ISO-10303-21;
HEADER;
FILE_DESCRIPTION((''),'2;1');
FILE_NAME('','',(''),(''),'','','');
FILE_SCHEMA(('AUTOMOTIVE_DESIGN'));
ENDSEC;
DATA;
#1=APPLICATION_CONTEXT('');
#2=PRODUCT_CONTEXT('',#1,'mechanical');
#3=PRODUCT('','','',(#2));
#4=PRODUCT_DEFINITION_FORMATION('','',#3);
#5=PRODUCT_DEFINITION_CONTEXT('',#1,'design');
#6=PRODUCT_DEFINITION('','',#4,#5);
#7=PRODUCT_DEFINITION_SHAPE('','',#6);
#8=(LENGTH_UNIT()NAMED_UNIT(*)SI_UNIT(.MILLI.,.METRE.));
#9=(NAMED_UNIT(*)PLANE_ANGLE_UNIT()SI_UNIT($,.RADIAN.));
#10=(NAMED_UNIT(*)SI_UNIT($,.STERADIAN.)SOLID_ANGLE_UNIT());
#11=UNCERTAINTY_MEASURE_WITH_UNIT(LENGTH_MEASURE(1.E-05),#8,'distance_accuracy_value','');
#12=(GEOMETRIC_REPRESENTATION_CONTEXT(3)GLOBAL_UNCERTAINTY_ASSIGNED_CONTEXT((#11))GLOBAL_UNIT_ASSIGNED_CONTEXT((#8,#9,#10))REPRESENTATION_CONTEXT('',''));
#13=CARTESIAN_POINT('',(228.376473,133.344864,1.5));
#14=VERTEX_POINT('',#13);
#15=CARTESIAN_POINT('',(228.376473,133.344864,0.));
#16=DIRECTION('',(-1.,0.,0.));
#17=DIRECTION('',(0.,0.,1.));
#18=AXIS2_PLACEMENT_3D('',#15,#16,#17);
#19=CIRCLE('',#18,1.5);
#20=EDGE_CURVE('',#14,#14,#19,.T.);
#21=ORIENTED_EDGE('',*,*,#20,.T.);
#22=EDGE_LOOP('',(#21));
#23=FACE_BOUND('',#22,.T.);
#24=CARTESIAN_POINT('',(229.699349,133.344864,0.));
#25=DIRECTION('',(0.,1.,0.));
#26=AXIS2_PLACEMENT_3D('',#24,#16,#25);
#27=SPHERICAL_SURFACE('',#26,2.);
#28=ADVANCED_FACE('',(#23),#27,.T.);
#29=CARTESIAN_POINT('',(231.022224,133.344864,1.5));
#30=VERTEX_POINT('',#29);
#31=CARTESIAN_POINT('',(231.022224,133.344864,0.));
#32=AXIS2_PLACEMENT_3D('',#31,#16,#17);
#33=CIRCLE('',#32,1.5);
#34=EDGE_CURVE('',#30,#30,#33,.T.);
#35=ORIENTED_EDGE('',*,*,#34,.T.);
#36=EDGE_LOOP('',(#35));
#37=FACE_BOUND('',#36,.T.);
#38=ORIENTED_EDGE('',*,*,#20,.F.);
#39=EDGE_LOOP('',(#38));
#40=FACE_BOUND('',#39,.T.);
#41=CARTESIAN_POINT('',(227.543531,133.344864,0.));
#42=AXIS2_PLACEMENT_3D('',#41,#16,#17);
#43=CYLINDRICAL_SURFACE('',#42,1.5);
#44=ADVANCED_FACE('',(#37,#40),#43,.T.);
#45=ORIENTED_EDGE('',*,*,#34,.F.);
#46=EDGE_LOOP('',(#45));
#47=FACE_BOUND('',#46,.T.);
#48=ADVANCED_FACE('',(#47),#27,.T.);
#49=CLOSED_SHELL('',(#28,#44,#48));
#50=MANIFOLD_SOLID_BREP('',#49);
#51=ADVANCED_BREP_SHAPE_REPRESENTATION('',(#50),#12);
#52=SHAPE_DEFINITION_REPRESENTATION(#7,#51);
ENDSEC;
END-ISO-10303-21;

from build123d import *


with BuildPart() as part:
    # 草图1 one side → 旋转1 (revolve)
    with BuildSketch(Plane.XY):
        Polygon((231.02222423, 133.34486375), (231.02222423, 134.84486375), (229.699348574, 134.84486375), (228.376472919, 134.84486375), (228.376472919, 133.34486375), align=None)
        with BuildLine():
            Line((227.699348574, 133.34486375), (228.376472919, 133.34486375))
            Line((228.376472919, 133.34486375), (228.376472919, 134.84486375))
            ThreePointArc((228.376472919, 134.84486375), (227.876472919, 134.167739405), (227.699348574, 133.34486375))
        make_face()
        with BuildLine():
            Line((231.02222423, 133.34486375), (231.699348574, 133.34486375))
            ThreePointArc((231.699348574, 133.34486375), (231.52222423, 134.167739405), (231.02222423, 134.84486375))
            Line((231.02222423, 134.84486375), (231.02222423, 133.34486375))
        make_face()
    revolve(axis=Axis((227.543530696, 133.34486375, 0), (1, 0, 0)))


solid = part.part
